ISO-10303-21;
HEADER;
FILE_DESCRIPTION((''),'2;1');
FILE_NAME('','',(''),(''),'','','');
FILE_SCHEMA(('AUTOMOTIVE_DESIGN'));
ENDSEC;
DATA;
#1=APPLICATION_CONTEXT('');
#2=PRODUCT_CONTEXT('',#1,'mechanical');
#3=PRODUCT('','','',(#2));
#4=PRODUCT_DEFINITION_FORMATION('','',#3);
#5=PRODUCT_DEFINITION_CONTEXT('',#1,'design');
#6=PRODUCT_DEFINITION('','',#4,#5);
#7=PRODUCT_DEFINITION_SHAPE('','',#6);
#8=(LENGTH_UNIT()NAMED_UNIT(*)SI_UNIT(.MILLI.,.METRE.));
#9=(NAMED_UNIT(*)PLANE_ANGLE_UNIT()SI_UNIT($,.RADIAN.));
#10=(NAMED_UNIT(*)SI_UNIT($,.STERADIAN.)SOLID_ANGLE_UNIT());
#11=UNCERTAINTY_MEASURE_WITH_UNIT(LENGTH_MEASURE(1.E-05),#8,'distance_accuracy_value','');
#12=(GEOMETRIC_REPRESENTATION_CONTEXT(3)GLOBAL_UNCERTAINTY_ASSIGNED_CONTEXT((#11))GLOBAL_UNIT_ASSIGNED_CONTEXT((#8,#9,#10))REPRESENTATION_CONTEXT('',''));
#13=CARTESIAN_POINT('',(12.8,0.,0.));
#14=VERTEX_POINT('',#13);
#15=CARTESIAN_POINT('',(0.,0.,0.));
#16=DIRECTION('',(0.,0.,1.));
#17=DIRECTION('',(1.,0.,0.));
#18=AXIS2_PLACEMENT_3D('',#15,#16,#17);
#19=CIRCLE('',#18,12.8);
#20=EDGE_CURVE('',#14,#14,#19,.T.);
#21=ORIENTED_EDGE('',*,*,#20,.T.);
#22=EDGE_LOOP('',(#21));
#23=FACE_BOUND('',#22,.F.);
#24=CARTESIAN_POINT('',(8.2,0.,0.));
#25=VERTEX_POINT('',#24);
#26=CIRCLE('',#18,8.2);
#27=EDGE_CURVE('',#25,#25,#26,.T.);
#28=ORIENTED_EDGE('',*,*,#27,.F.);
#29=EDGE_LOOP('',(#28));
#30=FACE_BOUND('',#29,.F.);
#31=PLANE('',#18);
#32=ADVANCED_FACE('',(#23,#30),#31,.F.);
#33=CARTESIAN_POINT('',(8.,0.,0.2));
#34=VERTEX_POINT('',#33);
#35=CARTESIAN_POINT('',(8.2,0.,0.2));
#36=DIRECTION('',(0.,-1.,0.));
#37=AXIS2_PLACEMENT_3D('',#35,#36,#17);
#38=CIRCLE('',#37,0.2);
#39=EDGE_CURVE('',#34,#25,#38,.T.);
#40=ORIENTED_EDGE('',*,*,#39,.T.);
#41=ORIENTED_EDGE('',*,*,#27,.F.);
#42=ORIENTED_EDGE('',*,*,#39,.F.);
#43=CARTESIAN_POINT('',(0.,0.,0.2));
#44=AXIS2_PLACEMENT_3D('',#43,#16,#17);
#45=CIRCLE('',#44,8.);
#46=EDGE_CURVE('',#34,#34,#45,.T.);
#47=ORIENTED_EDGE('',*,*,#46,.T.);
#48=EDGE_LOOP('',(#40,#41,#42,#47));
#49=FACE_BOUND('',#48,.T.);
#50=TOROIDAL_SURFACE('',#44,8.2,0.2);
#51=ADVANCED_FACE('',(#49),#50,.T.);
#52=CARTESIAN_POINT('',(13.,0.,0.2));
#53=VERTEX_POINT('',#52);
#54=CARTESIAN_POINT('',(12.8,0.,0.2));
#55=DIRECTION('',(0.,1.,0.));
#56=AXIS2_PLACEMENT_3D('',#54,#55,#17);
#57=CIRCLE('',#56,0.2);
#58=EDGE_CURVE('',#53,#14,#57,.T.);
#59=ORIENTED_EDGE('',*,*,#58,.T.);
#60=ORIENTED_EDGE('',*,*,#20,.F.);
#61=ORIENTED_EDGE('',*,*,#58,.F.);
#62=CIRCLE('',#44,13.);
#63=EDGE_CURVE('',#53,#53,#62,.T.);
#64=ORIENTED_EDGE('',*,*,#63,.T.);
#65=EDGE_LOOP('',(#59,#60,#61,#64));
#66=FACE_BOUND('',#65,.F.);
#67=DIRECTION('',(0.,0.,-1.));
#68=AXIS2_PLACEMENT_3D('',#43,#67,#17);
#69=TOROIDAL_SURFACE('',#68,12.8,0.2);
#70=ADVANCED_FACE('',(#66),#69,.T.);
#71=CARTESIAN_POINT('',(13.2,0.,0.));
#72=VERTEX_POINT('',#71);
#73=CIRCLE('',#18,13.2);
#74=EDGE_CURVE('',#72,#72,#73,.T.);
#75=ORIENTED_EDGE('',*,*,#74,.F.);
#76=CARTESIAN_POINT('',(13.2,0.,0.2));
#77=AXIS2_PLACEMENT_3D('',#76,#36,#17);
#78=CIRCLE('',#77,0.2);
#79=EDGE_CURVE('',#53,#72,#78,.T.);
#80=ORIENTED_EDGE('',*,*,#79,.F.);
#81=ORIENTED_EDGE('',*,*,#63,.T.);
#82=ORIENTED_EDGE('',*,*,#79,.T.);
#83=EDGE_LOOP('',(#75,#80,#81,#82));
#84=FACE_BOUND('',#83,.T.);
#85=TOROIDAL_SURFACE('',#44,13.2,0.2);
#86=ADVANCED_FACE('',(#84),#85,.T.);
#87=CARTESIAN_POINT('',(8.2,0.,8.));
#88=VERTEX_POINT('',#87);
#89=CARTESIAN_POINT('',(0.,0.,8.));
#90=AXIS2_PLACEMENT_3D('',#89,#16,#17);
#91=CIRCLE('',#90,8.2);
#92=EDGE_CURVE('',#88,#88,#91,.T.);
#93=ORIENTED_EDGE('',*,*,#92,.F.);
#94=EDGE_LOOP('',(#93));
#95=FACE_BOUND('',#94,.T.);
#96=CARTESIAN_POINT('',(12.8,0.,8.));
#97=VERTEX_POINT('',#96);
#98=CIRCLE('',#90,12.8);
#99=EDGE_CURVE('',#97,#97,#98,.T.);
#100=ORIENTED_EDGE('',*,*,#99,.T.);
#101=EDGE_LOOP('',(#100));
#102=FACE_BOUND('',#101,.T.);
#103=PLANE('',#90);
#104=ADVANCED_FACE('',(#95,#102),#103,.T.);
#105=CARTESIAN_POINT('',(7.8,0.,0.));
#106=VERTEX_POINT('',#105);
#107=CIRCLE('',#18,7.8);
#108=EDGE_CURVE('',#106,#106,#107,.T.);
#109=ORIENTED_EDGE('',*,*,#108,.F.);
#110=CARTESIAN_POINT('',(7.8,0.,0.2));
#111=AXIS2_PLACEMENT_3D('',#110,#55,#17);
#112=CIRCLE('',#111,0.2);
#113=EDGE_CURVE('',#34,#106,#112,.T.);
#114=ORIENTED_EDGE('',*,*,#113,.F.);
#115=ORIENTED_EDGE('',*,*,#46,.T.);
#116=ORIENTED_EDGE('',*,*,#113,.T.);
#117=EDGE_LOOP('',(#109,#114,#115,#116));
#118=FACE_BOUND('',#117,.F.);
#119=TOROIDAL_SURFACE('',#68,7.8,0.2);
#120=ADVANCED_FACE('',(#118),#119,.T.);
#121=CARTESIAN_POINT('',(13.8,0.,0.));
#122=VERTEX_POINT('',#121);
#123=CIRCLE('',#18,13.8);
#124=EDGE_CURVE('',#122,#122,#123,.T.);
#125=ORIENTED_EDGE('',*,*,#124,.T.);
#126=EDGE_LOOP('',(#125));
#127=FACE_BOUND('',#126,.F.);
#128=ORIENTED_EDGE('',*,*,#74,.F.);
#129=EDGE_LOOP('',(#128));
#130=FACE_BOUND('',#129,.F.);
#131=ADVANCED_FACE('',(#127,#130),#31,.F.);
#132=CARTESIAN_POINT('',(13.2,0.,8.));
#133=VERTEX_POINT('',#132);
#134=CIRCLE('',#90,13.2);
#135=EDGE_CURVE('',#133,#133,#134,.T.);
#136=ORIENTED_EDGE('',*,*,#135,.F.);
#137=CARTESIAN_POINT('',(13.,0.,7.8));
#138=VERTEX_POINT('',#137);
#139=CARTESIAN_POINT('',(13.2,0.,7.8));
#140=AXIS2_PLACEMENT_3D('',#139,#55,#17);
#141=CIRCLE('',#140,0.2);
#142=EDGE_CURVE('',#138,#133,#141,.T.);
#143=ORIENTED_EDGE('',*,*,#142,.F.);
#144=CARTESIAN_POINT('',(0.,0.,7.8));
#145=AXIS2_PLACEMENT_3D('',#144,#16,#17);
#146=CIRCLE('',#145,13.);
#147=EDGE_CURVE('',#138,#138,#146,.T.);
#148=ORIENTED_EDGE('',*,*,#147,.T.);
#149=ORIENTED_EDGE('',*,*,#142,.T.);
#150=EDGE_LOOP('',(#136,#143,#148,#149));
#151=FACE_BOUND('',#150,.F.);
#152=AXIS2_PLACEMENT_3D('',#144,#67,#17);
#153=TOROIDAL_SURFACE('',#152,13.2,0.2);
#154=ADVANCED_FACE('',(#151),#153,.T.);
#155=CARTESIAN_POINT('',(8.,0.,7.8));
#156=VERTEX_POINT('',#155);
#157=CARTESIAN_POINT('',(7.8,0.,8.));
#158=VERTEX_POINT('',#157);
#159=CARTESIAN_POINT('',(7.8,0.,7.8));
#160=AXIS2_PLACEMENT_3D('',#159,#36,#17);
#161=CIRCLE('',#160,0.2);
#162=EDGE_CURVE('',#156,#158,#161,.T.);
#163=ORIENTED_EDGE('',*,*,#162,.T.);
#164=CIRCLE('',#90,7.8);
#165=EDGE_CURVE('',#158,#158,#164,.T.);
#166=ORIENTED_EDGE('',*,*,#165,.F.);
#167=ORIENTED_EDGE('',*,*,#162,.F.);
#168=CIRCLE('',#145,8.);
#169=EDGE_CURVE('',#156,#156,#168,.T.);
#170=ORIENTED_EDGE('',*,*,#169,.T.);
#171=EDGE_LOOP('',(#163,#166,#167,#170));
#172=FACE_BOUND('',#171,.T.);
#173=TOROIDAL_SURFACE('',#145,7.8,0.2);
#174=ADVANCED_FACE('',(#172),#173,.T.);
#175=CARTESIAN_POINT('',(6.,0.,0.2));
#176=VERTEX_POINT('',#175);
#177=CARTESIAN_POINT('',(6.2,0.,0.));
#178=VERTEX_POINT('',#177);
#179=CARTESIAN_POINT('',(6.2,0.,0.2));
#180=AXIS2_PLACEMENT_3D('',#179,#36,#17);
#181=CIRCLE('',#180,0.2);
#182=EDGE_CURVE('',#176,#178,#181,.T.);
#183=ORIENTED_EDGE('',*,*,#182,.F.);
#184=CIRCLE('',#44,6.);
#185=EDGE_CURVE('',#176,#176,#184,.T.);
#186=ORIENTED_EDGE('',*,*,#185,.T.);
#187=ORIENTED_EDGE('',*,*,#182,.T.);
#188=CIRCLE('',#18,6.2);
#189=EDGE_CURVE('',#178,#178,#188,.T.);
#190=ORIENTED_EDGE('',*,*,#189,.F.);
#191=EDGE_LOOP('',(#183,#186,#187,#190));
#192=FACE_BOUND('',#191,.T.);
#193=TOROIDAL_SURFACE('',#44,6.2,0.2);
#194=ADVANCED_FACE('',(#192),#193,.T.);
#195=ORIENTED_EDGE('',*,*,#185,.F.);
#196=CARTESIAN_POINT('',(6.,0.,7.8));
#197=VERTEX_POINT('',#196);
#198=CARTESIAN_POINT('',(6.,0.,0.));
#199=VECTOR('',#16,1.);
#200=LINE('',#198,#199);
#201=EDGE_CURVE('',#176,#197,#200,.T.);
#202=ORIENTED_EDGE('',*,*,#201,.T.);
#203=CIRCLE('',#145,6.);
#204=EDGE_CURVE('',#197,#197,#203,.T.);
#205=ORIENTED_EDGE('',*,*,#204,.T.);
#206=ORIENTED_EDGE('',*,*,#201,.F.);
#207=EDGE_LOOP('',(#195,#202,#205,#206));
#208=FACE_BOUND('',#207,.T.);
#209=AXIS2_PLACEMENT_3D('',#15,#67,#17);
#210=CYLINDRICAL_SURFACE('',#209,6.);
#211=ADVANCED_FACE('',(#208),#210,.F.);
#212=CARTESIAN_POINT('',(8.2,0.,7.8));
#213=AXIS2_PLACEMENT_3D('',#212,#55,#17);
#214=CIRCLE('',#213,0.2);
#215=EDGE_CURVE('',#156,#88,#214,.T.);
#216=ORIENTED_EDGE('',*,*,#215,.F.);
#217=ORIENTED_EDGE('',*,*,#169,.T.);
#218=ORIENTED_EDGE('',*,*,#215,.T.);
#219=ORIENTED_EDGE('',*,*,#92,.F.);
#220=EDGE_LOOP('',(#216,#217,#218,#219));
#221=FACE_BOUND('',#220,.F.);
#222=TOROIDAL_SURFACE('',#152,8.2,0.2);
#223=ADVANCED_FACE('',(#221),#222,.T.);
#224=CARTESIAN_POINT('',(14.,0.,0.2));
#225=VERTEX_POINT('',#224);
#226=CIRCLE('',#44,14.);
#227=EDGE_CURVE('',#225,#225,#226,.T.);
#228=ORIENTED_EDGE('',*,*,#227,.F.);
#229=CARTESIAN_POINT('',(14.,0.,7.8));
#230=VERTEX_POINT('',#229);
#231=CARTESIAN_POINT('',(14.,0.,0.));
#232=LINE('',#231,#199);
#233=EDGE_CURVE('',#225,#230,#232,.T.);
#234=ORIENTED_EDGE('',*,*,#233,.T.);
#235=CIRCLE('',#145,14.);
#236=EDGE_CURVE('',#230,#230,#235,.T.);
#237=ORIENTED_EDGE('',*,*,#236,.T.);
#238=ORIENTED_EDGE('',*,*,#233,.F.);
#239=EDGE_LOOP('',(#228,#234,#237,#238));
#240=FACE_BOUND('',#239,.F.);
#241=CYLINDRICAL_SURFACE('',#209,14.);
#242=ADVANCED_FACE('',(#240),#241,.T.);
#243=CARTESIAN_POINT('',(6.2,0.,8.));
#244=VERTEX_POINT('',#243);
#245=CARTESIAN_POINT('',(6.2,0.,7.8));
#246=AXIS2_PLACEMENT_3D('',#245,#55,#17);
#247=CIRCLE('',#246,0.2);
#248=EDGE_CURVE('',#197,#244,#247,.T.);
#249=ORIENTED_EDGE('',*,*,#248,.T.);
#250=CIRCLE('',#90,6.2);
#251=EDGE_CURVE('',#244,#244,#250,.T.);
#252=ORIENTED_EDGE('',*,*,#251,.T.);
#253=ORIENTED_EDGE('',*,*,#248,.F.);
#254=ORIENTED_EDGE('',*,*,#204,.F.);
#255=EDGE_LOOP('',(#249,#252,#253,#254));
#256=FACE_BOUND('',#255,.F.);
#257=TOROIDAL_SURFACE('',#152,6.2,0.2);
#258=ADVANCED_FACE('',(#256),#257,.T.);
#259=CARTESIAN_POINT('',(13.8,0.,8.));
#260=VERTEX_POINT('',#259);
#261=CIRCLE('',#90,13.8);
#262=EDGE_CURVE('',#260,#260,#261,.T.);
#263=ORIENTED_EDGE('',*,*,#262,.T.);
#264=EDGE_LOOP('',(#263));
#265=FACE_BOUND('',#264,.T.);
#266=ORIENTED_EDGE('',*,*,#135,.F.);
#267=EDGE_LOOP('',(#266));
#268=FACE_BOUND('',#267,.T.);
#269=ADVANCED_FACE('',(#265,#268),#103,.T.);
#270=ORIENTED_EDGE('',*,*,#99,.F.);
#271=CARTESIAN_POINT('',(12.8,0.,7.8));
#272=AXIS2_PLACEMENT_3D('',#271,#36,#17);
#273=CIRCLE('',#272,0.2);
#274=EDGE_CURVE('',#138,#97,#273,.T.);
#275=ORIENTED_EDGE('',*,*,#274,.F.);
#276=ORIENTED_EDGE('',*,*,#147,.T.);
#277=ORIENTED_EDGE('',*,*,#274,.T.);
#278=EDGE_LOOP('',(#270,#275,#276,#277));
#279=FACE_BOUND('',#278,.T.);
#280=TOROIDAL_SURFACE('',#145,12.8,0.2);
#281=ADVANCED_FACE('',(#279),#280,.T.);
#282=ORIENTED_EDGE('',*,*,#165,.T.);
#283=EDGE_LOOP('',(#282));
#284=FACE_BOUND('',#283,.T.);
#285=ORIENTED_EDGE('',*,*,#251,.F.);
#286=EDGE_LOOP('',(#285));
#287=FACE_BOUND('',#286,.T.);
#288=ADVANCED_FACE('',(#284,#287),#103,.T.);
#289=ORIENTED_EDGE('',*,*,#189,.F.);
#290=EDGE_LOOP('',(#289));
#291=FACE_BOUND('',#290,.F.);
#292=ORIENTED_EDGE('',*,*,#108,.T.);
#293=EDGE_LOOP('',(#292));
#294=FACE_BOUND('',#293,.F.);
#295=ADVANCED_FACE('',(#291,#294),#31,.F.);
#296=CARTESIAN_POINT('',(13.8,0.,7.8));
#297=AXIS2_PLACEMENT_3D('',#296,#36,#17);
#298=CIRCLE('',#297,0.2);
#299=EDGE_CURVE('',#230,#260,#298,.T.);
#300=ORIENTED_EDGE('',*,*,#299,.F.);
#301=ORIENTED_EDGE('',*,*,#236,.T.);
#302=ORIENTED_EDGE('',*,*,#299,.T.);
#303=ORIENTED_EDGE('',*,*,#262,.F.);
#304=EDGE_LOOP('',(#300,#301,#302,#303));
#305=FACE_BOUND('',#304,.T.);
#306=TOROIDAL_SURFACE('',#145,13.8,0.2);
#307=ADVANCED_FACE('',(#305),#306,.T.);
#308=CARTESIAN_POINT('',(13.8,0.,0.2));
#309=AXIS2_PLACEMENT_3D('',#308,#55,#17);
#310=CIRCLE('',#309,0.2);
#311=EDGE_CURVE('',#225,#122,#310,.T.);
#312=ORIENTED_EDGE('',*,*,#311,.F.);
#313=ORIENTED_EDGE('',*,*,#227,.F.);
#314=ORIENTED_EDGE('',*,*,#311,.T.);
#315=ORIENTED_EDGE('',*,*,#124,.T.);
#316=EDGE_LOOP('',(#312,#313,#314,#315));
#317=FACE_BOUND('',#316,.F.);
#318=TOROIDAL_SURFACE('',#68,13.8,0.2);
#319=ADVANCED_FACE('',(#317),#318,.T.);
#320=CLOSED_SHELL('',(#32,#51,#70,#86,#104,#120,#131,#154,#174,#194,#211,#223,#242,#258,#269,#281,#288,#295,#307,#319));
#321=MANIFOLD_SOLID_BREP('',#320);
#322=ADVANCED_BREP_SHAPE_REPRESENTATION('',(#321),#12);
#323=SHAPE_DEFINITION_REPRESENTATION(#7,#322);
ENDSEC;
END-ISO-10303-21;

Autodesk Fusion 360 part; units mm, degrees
sketch "Sketch1" plane through (0, 0, 0) normal (0, 0, 1) x (1, 0, 0)
  circle A0 centre (0, 0) radius 14
  circle A1 centre (0, 0) radius 6
  circle A2 centre (0, 0) radius 13
  circle A3 centre (0, 0) radius 8
  dimension "d1" = 28
  dimension "d2" = 12
  dimension "d5" = -1
  dimension "d6" = 2
extrude "Extrude2" add sketch "Sketch1" along normal blind 8 contours A0 makes body 1
fillet "Fillet1" radius 0.2 2 edges at (-13.0526, -5.0626, 8) (-12.1203, 4.701, 8) on bodies 1
fillet "Fillet1" radius 0.2 2 edges at (-13.0526, -5.0626, 0) (-12.1203, 4.701, 0) on bodies 1
extrude "Extrude3" add sketch "Sketch1" along normal blind 8 separate body contours A3 makes body 2
fillet "Fillet2" radius 0.2 2 edges at (-7.4586, -2.8929, 8) (-5.594, 2.1697, 8) on bodies 2
fillet "Fillet2" radius 0.2 2 edges at (-7.4586, -2.8929, 0) (-5.594, 2.1697, 0) on bodies 2
extrude "Extrude4" add sketch "Sketch1" along normal blind 8 separate body contours A2 makes body 3
fillet "Fillet3" radius 0.2 2 edges at (-12.1203, -4.701, 8) (-7.4586, 2.8929, 8) on bodies 3
fillet "Fillet3" radius 0.2 2 edges at (-12.1203, -4.701, 0) (-7.4586, 2.8929, 0) on bodies 3
combine "Combine1" operation add target body 1 tool bodies 2 3
